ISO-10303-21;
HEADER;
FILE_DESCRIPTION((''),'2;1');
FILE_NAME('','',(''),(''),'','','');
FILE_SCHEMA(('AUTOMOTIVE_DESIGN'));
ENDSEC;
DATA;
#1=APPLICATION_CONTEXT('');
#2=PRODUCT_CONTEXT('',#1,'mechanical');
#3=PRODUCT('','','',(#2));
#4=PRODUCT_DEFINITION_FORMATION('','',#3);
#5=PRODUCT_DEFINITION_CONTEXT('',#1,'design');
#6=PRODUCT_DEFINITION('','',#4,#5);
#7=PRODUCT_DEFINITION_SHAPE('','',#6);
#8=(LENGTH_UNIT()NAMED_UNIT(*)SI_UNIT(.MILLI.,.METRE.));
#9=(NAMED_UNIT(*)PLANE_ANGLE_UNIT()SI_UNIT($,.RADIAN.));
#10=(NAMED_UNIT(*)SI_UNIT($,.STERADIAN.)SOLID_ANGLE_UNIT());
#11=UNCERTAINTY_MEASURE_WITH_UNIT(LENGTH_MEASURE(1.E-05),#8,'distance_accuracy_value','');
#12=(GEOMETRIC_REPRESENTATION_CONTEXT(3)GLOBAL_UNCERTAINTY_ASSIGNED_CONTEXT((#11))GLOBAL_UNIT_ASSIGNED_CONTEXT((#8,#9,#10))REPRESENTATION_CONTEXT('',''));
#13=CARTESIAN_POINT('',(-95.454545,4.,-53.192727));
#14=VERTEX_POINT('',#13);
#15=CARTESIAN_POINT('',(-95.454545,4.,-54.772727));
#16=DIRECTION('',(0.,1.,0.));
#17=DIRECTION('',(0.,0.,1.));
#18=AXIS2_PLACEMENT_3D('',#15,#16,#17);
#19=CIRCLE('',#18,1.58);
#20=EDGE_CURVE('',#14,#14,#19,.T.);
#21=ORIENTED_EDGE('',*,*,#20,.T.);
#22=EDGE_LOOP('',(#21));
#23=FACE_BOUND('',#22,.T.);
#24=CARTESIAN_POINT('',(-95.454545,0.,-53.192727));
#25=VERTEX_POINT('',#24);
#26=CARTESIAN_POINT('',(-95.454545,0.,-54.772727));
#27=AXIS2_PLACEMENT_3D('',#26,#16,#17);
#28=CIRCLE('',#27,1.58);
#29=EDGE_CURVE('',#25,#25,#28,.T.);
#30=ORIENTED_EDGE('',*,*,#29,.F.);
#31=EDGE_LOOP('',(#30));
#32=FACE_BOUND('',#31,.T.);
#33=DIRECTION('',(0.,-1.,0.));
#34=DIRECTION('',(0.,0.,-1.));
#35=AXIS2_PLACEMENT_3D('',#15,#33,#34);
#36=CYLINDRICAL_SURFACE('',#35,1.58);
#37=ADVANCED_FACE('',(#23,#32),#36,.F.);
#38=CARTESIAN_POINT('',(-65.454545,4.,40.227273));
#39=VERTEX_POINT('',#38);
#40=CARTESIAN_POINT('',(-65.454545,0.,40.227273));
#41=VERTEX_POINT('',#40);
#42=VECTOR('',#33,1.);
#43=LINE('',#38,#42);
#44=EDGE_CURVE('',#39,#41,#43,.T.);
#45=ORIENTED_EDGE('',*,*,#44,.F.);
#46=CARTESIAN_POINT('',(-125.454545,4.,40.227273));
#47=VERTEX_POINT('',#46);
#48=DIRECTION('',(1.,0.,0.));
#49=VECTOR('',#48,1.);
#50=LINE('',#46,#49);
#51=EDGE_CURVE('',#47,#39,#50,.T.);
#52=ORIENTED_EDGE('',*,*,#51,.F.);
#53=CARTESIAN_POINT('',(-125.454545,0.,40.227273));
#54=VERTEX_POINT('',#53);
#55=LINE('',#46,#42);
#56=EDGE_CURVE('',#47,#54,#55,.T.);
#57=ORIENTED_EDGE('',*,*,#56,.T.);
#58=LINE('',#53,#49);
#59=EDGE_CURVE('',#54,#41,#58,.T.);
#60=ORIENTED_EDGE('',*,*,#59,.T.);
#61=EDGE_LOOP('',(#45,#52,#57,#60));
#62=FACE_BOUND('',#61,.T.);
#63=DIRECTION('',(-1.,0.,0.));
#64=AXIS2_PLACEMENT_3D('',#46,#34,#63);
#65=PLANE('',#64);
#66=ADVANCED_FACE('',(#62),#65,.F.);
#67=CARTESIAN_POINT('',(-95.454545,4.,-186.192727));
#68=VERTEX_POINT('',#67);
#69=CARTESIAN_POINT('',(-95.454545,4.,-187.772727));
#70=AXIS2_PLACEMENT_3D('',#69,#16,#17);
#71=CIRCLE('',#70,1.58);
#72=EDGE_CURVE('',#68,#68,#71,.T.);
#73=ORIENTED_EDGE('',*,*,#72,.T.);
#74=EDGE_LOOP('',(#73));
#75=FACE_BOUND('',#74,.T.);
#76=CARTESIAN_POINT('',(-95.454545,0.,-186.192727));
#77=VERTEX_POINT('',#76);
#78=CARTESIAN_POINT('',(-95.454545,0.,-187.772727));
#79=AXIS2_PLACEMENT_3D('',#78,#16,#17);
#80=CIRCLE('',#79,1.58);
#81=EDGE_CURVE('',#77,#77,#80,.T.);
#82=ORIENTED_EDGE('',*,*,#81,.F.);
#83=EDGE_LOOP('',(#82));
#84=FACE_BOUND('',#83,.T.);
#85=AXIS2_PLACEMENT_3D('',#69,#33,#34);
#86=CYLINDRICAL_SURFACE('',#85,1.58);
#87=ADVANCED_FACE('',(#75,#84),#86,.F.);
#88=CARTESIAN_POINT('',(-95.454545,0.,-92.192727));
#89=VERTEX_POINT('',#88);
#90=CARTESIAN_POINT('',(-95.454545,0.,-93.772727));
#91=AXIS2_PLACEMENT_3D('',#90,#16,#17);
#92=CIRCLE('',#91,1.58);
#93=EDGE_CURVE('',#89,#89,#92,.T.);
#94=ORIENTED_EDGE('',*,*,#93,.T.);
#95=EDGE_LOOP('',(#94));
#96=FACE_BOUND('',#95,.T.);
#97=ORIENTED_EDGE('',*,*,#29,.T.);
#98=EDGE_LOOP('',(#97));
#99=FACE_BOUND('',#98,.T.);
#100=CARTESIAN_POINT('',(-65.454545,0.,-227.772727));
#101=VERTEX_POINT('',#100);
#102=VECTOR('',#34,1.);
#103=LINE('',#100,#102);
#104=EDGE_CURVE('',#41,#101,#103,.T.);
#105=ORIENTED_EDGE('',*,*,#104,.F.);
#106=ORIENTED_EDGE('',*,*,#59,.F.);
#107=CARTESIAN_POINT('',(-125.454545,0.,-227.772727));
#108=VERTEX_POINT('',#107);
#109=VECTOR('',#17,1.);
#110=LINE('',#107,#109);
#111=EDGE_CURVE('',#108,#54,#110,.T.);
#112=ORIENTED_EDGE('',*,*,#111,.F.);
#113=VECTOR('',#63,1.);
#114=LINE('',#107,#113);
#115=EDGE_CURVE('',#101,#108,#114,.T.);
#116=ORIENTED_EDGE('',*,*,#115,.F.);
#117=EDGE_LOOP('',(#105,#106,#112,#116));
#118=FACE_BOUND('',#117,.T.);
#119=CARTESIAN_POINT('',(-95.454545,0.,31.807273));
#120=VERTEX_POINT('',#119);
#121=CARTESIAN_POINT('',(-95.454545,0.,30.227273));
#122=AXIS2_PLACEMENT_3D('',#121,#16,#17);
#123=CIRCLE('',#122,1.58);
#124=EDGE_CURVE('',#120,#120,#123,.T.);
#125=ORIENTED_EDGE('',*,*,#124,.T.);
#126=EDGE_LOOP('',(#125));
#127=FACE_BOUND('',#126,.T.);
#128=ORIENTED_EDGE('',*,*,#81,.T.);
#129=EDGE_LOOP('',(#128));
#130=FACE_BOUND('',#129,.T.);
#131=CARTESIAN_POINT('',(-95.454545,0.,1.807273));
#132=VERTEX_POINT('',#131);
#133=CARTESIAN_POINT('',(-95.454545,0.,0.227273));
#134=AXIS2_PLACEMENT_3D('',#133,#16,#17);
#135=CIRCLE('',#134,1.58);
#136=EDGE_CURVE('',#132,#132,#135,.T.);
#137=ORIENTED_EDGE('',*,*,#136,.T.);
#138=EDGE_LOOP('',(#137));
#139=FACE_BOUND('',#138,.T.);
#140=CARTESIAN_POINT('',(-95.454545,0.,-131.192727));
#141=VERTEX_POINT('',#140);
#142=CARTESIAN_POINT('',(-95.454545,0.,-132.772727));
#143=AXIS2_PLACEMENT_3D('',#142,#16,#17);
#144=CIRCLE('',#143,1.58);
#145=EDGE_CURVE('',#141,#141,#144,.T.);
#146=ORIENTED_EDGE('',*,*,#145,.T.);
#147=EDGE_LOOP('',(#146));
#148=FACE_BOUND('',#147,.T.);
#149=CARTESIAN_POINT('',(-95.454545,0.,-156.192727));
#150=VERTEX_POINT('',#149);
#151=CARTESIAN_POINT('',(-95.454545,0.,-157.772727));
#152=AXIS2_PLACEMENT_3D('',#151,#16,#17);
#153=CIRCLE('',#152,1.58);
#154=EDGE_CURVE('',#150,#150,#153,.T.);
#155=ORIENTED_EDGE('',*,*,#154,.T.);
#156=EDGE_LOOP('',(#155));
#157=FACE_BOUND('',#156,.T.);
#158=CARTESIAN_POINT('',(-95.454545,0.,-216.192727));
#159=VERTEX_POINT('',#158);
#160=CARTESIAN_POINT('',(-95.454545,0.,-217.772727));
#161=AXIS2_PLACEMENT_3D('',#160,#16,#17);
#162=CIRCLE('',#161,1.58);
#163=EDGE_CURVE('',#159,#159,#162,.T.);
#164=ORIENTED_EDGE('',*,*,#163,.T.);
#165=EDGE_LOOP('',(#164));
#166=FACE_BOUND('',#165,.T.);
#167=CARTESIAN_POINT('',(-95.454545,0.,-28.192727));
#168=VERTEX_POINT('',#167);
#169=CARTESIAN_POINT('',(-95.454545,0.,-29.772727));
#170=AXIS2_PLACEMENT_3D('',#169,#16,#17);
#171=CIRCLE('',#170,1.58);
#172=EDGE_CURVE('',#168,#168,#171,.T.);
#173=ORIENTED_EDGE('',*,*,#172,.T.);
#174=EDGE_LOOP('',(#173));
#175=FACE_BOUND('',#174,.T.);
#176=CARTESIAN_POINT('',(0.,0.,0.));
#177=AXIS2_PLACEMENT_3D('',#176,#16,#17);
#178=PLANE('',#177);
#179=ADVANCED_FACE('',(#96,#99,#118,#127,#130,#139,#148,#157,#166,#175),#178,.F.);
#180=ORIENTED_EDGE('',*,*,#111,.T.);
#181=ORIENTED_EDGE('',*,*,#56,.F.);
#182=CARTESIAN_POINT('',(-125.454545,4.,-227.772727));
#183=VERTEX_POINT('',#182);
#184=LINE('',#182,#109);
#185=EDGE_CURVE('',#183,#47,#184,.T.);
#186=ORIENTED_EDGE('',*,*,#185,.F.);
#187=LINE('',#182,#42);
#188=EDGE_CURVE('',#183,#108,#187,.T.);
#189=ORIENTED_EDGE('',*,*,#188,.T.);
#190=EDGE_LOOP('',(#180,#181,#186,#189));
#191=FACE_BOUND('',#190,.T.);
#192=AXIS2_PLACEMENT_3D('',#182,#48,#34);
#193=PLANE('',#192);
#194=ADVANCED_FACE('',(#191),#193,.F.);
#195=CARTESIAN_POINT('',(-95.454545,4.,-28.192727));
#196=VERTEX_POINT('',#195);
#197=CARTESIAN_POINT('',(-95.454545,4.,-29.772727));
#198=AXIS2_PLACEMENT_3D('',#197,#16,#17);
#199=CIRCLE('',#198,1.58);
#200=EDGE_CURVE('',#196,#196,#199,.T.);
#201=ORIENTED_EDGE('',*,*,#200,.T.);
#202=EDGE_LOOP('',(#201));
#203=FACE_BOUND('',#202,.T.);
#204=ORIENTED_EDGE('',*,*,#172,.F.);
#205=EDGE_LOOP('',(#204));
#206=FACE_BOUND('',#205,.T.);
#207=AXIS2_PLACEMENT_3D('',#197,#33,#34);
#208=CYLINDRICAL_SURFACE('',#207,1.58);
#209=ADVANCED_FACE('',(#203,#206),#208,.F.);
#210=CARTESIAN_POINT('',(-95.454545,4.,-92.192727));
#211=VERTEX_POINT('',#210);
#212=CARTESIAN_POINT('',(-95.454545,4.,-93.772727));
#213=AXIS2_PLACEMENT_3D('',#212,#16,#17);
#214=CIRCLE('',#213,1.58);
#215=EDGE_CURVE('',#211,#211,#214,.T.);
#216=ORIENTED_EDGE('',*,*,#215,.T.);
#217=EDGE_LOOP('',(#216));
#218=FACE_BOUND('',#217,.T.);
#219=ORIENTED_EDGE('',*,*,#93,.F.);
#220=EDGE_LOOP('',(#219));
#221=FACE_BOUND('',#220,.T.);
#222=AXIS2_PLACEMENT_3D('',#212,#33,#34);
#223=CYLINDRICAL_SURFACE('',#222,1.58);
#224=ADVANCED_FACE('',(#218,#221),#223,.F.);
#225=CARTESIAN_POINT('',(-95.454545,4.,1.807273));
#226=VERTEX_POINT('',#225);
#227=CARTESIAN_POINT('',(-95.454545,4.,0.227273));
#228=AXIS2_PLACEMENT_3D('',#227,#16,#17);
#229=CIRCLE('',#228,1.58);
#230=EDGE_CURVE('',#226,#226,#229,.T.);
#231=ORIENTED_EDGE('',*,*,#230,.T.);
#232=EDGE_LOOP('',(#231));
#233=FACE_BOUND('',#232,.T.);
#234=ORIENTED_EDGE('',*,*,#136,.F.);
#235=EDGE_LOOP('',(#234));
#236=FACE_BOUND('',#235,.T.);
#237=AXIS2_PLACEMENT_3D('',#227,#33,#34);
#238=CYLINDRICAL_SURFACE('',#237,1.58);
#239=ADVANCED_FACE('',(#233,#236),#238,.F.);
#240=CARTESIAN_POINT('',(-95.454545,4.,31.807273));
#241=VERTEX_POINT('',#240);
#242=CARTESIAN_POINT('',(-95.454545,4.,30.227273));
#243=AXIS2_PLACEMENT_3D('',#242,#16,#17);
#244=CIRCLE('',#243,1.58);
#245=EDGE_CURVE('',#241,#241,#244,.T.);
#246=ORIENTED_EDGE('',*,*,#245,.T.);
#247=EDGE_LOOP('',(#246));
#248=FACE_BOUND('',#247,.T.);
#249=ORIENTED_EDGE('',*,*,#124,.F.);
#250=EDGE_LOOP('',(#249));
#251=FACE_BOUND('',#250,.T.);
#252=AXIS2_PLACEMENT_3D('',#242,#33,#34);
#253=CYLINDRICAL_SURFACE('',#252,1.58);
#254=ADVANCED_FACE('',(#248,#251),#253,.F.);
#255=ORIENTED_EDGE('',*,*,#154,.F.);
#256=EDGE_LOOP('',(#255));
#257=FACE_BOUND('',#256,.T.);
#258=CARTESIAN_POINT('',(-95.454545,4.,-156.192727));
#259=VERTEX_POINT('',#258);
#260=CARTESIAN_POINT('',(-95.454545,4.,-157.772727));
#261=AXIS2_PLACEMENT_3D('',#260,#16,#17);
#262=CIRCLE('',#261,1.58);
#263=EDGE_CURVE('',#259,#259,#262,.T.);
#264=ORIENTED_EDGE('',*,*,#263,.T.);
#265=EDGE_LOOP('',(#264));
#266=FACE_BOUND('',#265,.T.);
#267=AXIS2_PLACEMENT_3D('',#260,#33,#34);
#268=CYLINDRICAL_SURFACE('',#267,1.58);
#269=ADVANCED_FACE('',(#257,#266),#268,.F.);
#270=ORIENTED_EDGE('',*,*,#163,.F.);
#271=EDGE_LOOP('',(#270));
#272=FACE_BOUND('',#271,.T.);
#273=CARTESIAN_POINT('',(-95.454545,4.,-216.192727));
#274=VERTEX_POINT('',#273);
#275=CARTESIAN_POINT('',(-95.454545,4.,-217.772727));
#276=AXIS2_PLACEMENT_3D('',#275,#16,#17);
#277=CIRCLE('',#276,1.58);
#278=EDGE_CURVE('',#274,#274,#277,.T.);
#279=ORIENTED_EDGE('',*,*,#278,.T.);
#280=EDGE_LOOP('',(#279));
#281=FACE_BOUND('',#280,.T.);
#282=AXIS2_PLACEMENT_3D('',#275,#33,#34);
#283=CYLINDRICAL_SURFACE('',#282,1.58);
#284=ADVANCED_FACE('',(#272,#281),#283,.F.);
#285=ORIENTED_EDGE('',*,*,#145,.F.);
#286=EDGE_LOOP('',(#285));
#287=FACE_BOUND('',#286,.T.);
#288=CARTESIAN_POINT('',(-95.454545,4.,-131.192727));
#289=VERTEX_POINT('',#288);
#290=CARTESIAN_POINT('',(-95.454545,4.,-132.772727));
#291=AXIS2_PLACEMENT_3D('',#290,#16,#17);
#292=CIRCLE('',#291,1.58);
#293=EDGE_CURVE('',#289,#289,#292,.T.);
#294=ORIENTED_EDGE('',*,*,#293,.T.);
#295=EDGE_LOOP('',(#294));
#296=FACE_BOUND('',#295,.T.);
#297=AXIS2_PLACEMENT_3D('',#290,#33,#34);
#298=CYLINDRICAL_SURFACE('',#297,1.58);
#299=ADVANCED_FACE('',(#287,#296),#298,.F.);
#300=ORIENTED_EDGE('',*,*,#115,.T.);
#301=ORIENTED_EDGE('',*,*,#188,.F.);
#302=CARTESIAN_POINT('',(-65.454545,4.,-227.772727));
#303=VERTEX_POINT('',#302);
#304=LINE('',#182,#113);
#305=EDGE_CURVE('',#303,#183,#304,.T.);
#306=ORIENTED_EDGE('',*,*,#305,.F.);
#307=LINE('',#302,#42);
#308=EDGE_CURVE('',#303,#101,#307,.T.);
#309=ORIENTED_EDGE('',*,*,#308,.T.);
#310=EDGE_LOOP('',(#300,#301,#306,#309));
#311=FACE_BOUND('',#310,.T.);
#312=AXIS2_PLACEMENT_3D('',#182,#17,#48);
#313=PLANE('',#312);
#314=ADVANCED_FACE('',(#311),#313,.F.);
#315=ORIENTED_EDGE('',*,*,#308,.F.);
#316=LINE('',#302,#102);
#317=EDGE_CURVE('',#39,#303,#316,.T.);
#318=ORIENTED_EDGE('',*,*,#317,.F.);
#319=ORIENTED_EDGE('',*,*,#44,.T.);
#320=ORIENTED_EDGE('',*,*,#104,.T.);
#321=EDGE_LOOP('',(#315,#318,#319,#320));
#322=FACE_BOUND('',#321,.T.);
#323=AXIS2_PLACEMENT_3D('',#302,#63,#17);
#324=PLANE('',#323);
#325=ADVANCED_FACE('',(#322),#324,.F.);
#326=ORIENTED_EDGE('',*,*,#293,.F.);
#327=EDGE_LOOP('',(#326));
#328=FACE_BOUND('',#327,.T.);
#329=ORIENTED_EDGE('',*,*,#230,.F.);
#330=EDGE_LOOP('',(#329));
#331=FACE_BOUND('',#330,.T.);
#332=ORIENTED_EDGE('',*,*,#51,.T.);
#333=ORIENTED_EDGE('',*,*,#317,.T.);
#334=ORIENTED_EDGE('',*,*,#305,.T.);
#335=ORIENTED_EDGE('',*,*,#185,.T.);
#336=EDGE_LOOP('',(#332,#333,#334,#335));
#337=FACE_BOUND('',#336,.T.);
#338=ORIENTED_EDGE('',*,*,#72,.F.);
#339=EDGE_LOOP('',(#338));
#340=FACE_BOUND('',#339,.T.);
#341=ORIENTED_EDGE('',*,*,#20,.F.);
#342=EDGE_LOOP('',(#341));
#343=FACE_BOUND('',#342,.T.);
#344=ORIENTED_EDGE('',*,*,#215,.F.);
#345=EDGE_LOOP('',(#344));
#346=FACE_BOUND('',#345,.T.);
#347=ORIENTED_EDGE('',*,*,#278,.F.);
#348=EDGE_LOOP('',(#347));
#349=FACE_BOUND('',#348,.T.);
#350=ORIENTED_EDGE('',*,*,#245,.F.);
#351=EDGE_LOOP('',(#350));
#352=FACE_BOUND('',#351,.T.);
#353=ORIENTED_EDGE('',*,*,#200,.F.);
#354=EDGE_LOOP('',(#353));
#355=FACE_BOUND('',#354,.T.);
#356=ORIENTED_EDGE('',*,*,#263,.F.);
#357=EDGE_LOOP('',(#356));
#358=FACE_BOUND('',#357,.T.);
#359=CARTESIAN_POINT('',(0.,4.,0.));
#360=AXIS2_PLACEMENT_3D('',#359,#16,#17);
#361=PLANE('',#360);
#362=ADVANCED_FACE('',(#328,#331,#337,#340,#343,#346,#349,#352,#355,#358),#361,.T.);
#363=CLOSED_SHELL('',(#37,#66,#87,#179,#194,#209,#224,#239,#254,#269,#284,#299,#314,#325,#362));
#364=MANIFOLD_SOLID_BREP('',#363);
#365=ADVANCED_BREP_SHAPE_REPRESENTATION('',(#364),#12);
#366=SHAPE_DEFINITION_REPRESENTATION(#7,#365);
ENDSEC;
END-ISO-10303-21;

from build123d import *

# Parameters (mm, degrees)
SKETCH2_W           = 60
SKETCH2_H           = 268
SKETCH2_R           = 1.58
BOSS_EXTRUDE1_DEPTH = 4


with BuildPart() as part:
    # Sketch2 → Boss-Extrude1 (new body)
    with BuildSketch(Plane(origin=(0, 0, 0), x_dir=(1, 0, 0), z_dir=(0, 1, 0))):
        with Locations((-95.454545455, 93.772727273)):
            Rectangle(SKETCH2_W, SKETCH2_H)
        with Locations(Location((-95.454545455, 217.772727273, 0), (0, 0, 270))):
            Circle(SKETCH2_R, mode=Mode.SUBTRACT)
        with Locations(Location((-95.454545455, 187.772727273, 0), (0, 0, 270))):
            Circle(SKETCH2_R, mode=Mode.SUBTRACT)
        with Locations(Location((-95.454545455, 157.772727273, 0), (0, 0, 270))):
            Circle(SKETCH2_R, mode=Mode.SUBTRACT)
        with Locations(Location((-95.454545455, 132.772727273, 0), (0, 0, 270))):
            Circle(SKETCH2_R, mode=Mode.SUBTRACT)
        with Locations(Location((-95.454545455, 93.772727273, 0), (0, 0, 270))):
            Circle(SKETCH2_R, mode=Mode.SUBTRACT)
        with Locations(Location((-95.454545455, 54.772727273, 0), (0, 0, 270))):
            Circle(SKETCH2_R, mode=Mode.SUBTRACT)
        with Locations(Location((-95.454545455, 29.772727273, 0), (0, 0, 270))):
            Circle(SKETCH2_R, mode=Mode.SUBTRACT)
        with Locations(Location((-95.454545455, -0.227272727, 0), (0, 0, 270))):
            Circle(SKETCH2_R, mode=Mode.SUBTRACT)
        with Locations(Location((-95.454545455, -30.227272727, 0), (0, 0, 270))):
            Circle(SKETCH2_R, mode=Mode.SUBTRACT)
    extrude(amount=BOSS_EXTRUDE1_DEPTH)


solid = part.part
